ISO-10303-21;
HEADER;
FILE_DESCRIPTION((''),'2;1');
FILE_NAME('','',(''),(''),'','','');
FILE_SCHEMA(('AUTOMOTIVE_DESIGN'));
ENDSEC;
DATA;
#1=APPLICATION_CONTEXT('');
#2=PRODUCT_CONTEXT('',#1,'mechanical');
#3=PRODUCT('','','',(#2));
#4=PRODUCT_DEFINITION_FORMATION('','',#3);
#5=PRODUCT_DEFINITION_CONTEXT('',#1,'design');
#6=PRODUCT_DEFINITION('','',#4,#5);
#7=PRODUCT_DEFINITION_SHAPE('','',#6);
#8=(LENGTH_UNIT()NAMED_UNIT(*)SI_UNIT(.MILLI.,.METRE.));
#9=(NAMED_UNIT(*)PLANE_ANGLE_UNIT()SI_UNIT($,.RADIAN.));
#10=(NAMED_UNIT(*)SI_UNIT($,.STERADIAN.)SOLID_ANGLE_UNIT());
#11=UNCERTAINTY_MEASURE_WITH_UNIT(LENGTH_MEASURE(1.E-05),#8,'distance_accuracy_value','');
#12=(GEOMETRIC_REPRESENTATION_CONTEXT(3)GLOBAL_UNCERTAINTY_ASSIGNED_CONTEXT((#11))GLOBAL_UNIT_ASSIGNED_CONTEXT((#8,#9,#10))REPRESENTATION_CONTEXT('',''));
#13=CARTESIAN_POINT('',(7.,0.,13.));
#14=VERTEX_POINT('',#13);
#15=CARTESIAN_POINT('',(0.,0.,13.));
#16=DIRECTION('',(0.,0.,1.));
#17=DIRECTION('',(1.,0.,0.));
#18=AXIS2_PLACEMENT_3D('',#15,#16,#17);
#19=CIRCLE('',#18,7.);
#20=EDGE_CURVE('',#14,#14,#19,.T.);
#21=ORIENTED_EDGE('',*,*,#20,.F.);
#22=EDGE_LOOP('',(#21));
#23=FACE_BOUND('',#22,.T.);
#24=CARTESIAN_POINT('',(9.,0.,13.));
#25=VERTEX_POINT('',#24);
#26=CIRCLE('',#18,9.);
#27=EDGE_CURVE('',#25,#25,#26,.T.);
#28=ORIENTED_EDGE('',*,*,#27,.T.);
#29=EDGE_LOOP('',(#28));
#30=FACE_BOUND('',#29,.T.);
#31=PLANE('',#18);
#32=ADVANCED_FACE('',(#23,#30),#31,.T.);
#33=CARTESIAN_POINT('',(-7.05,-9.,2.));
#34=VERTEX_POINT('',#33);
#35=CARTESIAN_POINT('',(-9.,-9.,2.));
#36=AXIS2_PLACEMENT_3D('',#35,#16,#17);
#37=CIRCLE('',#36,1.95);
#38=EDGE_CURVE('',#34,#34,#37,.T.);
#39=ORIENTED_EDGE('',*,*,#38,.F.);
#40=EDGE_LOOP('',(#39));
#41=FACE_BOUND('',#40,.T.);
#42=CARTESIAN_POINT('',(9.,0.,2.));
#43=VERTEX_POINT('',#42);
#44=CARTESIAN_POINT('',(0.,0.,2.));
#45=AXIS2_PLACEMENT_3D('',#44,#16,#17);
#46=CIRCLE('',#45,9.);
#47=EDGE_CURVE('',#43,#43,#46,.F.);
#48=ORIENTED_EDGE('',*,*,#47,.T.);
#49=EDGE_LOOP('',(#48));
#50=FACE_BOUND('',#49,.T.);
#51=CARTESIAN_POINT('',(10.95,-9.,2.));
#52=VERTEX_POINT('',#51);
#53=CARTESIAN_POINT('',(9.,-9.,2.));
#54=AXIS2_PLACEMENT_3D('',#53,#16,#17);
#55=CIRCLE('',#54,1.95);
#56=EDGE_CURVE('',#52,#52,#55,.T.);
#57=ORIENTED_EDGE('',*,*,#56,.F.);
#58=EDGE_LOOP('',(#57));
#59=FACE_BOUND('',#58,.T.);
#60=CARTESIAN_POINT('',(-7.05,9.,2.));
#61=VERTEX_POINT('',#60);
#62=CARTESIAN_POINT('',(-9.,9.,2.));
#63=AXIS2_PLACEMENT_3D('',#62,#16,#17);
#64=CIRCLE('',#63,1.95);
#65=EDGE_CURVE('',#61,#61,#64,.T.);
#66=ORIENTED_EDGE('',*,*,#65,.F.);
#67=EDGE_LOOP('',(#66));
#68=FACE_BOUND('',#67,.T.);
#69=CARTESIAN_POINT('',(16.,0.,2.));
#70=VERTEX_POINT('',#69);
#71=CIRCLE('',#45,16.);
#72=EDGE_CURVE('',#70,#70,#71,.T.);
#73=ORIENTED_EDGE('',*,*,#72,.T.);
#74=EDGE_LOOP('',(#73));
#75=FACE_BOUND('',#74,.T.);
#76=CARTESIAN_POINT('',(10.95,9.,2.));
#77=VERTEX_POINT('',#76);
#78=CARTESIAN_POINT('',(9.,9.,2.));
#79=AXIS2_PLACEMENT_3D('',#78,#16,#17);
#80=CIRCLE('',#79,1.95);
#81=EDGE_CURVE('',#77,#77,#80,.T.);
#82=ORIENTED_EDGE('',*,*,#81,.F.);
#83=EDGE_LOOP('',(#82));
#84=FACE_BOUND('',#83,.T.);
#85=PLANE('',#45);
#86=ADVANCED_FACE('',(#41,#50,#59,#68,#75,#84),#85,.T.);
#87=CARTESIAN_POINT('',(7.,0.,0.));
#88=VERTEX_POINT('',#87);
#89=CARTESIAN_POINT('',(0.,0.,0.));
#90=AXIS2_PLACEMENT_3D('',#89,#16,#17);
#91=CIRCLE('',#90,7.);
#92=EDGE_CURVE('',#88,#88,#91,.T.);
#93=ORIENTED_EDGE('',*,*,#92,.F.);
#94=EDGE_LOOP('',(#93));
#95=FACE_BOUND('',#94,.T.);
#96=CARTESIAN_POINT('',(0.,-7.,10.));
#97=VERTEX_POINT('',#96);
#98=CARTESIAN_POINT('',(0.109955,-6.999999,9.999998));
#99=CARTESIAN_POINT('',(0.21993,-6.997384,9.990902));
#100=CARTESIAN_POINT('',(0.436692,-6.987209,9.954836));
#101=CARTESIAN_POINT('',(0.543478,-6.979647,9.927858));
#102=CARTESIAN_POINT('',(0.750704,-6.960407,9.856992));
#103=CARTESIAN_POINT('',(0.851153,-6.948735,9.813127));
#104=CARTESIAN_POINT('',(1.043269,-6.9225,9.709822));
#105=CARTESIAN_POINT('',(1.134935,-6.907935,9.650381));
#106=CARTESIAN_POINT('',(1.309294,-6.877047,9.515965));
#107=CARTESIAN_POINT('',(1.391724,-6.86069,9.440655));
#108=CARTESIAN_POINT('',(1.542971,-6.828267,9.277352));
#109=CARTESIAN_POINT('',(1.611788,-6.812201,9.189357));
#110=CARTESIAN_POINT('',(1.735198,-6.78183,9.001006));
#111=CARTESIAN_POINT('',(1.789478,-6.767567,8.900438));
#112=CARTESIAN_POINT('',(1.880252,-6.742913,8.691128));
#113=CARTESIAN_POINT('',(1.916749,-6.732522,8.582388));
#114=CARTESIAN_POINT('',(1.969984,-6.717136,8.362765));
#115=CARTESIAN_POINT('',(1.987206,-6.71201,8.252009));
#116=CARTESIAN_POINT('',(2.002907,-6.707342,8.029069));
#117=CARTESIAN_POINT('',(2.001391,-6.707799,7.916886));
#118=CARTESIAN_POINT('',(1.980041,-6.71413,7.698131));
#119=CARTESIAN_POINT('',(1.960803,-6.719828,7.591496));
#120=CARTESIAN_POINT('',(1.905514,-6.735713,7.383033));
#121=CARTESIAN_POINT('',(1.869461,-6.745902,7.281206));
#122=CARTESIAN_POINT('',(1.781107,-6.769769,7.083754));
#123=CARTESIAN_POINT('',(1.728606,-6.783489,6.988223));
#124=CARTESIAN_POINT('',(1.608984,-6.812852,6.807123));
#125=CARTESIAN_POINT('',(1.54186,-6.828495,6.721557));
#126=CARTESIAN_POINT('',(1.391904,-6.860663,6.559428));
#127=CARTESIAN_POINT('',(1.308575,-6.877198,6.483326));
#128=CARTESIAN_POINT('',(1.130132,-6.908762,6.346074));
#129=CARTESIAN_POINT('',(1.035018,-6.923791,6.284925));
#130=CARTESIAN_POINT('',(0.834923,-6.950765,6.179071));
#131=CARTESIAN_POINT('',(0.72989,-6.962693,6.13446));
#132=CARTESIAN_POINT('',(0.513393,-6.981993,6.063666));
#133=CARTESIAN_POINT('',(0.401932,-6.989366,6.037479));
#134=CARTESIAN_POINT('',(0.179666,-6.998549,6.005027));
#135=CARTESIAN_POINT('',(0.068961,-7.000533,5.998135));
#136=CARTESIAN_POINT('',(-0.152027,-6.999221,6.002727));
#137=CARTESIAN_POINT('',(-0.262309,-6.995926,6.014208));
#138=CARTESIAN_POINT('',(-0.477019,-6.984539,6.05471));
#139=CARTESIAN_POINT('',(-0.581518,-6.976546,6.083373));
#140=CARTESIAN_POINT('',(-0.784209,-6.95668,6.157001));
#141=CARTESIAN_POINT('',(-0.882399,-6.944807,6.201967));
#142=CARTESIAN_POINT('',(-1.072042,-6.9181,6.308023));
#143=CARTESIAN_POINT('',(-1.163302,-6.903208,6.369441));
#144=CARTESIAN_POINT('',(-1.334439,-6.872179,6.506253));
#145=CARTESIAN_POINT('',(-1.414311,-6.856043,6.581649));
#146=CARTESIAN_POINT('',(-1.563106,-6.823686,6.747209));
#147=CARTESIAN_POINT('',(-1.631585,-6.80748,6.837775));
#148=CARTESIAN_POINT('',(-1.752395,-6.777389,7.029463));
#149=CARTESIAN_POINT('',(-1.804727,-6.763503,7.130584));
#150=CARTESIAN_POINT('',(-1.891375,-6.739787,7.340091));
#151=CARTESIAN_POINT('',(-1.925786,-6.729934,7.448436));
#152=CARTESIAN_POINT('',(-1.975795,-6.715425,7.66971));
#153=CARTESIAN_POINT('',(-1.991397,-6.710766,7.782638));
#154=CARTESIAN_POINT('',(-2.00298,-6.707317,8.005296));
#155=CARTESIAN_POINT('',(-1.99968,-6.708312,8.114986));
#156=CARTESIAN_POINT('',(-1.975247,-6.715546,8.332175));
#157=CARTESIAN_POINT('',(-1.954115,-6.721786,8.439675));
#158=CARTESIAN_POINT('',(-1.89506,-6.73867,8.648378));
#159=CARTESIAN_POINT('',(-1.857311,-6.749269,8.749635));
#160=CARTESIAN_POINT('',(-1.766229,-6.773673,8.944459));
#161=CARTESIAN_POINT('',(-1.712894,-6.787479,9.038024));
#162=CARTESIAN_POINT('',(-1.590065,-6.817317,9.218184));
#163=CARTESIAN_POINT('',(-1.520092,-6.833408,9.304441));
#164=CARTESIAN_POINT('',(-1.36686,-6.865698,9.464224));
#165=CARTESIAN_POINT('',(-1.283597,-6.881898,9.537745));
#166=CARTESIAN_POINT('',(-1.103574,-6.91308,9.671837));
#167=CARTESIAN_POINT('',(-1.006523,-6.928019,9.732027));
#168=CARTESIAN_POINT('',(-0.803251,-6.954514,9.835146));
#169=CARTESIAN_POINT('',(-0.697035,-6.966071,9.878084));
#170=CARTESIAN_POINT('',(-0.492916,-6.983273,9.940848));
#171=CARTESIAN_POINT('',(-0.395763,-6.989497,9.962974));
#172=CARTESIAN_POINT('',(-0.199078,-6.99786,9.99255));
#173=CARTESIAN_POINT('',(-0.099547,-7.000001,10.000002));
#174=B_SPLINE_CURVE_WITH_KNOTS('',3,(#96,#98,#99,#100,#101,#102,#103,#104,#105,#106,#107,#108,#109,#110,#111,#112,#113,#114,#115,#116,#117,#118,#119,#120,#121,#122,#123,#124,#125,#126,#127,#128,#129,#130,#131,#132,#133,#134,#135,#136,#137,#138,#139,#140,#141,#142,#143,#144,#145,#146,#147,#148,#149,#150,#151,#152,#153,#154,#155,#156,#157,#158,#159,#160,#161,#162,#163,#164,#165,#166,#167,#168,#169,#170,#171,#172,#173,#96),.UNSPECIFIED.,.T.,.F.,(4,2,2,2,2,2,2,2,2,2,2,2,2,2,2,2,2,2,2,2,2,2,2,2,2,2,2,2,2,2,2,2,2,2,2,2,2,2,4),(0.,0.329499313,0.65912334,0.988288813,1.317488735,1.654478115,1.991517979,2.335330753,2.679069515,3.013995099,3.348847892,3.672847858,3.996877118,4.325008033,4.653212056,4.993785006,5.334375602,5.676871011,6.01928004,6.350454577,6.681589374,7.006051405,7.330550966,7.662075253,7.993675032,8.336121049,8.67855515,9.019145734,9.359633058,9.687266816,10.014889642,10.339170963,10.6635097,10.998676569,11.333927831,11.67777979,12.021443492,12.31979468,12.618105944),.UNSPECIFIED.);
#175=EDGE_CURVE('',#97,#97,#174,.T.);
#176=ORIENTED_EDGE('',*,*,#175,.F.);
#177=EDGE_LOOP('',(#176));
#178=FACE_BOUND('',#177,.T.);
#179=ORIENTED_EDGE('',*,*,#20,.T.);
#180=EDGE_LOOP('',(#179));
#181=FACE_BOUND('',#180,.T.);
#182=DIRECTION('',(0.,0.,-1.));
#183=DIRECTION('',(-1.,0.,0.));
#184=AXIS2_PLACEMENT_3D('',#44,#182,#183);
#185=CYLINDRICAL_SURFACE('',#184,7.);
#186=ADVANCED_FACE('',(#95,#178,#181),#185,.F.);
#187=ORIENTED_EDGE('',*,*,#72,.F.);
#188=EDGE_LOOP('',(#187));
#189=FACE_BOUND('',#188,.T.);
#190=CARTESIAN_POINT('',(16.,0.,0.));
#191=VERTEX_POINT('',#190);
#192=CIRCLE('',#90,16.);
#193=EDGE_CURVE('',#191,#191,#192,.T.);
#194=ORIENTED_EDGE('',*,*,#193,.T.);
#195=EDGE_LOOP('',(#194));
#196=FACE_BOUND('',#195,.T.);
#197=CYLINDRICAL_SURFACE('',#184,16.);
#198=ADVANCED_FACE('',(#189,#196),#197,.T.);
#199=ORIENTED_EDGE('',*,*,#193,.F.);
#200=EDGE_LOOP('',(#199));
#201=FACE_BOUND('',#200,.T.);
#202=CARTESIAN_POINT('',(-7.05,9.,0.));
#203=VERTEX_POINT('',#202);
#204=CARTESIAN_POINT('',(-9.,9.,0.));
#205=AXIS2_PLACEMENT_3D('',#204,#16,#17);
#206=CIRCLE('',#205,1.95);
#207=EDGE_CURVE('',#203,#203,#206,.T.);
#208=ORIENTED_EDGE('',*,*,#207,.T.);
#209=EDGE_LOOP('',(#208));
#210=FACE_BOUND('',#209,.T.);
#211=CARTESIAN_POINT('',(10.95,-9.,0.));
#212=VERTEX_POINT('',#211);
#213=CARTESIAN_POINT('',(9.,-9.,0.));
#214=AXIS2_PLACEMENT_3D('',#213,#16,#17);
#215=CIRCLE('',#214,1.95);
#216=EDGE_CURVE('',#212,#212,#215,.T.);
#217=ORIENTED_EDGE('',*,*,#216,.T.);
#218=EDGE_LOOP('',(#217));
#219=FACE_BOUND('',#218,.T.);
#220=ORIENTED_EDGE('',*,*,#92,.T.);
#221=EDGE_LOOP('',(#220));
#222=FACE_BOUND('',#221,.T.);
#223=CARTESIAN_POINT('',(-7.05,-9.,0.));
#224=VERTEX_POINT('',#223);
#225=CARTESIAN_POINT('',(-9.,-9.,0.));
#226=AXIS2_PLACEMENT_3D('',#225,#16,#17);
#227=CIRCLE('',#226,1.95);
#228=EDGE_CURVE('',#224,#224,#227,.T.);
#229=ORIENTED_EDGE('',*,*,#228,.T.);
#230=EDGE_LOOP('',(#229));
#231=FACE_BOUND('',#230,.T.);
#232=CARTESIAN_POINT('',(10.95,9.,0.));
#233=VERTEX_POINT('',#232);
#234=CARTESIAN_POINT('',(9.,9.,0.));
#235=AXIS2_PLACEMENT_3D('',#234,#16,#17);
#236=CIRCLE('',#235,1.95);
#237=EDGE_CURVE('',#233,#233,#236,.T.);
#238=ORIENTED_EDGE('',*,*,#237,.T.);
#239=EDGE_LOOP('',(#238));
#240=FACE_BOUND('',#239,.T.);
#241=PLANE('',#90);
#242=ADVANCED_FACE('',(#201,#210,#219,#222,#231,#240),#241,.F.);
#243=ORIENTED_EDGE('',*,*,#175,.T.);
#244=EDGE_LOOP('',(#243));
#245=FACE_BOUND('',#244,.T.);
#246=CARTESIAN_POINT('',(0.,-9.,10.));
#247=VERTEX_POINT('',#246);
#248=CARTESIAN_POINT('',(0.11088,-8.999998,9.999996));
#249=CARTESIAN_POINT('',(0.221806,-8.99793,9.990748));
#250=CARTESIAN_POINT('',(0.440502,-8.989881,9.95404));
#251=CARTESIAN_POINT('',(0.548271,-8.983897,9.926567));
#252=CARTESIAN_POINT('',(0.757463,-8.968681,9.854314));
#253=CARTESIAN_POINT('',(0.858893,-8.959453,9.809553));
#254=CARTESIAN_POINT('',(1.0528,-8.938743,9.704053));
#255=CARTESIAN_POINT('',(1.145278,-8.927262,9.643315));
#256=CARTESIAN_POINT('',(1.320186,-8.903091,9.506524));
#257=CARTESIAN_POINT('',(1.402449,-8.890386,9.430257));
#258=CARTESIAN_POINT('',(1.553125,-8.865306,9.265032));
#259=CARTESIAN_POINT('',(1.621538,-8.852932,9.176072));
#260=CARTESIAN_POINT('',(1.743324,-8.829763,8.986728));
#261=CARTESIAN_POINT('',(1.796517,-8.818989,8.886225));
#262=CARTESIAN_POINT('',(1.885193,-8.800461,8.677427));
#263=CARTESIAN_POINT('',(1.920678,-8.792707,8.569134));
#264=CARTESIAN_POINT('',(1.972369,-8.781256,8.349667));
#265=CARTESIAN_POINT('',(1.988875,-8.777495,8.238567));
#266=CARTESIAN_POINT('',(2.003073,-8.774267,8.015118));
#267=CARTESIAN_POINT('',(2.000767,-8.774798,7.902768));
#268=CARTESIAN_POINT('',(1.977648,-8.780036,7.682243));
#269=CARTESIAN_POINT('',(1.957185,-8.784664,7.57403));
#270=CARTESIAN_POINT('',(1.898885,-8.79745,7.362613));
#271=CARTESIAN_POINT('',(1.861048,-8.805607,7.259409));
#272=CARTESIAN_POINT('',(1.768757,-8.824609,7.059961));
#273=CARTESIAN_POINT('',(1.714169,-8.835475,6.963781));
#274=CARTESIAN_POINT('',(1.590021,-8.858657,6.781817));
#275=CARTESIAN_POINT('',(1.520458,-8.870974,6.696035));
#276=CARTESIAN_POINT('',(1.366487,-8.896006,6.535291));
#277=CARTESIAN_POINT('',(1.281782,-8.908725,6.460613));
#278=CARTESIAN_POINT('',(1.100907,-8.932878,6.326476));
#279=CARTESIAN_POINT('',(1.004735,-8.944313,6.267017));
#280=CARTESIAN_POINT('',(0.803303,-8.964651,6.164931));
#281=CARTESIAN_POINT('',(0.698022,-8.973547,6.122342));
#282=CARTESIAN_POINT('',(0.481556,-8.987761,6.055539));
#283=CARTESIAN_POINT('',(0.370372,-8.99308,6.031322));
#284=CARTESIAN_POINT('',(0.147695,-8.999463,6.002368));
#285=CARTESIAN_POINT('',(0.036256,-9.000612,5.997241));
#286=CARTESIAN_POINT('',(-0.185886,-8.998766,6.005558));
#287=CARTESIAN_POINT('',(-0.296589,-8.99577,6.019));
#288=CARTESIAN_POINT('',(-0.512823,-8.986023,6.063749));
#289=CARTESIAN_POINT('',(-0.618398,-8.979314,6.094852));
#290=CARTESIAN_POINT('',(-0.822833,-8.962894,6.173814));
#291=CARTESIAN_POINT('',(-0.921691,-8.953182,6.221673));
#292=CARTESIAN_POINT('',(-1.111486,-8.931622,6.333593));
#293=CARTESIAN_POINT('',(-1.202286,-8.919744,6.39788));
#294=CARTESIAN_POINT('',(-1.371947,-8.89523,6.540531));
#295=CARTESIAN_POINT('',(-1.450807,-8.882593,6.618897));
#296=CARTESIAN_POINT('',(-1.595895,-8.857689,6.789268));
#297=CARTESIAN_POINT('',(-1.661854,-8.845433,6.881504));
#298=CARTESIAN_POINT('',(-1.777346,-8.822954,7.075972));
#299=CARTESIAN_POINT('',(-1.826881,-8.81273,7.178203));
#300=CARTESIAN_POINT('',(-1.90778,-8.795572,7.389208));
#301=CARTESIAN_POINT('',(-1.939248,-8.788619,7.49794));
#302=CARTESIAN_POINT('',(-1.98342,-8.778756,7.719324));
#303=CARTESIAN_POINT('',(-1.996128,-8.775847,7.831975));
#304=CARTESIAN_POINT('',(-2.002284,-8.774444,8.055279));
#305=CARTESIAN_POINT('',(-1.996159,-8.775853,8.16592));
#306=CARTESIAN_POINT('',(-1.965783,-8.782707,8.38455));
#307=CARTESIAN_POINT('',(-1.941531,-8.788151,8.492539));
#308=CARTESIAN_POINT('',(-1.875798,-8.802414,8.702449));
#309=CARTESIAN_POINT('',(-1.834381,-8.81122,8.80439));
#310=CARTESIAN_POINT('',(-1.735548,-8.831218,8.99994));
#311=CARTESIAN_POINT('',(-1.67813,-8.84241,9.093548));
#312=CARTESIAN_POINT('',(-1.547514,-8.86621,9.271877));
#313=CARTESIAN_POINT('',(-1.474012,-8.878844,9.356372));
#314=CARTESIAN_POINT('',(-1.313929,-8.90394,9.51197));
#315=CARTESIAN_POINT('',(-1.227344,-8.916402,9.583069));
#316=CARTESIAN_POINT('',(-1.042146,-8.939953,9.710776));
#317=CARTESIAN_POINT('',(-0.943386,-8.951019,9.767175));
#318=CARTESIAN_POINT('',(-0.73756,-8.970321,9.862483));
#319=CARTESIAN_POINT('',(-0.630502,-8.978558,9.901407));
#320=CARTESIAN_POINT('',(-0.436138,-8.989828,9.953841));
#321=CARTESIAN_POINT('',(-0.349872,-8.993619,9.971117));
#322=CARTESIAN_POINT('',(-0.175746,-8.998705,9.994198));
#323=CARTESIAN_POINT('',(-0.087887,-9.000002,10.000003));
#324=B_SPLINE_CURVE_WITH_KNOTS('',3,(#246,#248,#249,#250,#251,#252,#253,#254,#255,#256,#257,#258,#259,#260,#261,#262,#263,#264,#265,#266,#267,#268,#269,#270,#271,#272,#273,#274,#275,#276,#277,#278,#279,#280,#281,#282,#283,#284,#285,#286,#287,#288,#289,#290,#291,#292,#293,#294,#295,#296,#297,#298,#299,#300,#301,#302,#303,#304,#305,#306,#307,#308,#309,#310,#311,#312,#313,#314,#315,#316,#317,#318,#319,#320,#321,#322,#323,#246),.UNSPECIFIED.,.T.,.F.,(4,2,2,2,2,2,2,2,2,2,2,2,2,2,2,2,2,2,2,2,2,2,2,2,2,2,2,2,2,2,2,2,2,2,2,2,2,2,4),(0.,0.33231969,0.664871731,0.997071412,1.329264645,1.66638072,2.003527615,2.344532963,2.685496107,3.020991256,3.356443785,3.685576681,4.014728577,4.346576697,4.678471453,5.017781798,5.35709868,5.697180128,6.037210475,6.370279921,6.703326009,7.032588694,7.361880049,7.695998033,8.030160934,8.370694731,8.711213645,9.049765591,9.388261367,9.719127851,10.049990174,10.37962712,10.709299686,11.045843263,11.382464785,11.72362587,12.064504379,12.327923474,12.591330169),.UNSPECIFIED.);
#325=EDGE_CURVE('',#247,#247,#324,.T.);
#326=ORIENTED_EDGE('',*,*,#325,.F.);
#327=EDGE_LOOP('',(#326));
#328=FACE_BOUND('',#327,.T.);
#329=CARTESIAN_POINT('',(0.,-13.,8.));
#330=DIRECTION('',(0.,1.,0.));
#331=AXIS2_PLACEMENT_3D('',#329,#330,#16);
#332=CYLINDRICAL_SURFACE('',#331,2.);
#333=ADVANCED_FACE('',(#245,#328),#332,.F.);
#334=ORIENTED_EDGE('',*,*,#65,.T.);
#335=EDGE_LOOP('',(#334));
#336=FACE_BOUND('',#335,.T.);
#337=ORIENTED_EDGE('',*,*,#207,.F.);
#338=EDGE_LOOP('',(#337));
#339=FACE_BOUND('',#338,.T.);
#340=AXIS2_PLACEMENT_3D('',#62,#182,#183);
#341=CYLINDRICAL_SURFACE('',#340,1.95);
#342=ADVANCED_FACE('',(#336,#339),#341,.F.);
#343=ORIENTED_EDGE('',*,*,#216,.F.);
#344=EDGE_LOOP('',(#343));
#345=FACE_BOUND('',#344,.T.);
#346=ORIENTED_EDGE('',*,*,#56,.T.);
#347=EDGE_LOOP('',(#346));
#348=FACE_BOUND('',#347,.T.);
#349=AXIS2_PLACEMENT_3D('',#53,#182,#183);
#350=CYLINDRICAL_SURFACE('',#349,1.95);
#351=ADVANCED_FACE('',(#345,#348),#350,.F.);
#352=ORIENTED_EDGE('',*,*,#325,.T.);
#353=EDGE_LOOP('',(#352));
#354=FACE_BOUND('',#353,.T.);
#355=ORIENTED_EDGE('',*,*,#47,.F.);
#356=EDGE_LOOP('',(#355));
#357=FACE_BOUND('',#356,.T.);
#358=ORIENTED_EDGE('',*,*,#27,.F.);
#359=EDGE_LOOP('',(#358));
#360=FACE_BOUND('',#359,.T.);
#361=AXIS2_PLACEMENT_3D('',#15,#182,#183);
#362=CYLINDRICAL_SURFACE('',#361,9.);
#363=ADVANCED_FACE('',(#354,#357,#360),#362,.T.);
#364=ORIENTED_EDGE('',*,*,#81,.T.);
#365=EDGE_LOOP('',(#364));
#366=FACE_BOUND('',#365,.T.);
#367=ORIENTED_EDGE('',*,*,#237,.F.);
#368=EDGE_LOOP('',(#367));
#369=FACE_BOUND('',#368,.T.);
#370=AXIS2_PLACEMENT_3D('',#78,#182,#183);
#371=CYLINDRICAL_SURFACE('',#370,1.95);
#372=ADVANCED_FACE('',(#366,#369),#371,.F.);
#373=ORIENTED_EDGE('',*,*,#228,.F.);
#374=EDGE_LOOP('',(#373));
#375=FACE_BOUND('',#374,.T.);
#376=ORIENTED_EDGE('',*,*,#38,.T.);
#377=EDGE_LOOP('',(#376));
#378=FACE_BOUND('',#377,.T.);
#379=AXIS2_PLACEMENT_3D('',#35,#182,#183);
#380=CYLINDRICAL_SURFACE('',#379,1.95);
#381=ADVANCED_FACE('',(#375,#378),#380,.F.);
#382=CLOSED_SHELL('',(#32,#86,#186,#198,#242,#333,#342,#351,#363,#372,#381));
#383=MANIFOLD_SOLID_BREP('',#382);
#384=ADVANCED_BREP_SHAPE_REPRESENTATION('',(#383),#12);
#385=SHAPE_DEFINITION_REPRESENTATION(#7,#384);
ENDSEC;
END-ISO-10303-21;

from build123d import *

# Parameters (mm, degrees)
SKETCH1_R           = 16
SKETCH1_R_2         = 1.95
SKETCH1_R_3         = 7
BOSS_EXTRUDE1_DEPTH = 2
SKETCH1_3_R         = 9
SKETCH1_3_R_2       = 7
BOSS_EXTRUDE2_DEPTH = 13
SKETCH2_R           = 2
CUT_EXTRUDE1_DEPTH  = 13


with BuildPart() as part:
    # Sketch1 → Boss-Extrude1 (new body)
    with BuildSketch(Plane(origin=(0, 0, 0), x_dir=(0, 1, 0), z_dir=(0, 0, 1))):
        Circle(SKETCH1_R)
        with Locations((-9, -9)):
            Circle(SKETCH1_R_2, mode=Mode.SUBTRACT)
        with Locations((9, -9)):
            Circle(SKETCH1_R_2, mode=Mode.SUBTRACT)
        with Locations((-9, 9)):
            Circle(SKETCH1_R_2, mode=Mode.SUBTRACT)
        with Locations((9, 9)):
            Circle(SKETCH1_R_2, mode=Mode.SUBTRACT)
        Circle(SKETCH1_R_3, mode=Mode.SUBTRACT)
    extrude(amount=BOSS_EXTRUDE1_DEPTH)

    # Sketch1<3> → Boss-Extrude2 (add)
    with BuildSketch(Plane(origin=(0, 0, 0), x_dir=(0, 1, 0), z_dir=(0, 0, 1))):
        Circle(SKETCH1_3_R)
        Circle(SKETCH1_3_R_2, mode=Mode.SUBTRACT)
    extrude(amount=BOSS_EXTRUDE2_DEPTH)

    # Sketch2 → Cut-Extrude1 (cut)
    with BuildSketch(Plane(origin=(0, 0, 0), x_dir=(-1, 0, 0), z_dir=(0, 1, 0))):
        with Locations((0, 8)):
            Circle(SKETCH2_R)
    extrude(amount=-CUT_EXTRUDE1_DEPTH, mode=Mode.SUBTRACT)


solid = part.part
